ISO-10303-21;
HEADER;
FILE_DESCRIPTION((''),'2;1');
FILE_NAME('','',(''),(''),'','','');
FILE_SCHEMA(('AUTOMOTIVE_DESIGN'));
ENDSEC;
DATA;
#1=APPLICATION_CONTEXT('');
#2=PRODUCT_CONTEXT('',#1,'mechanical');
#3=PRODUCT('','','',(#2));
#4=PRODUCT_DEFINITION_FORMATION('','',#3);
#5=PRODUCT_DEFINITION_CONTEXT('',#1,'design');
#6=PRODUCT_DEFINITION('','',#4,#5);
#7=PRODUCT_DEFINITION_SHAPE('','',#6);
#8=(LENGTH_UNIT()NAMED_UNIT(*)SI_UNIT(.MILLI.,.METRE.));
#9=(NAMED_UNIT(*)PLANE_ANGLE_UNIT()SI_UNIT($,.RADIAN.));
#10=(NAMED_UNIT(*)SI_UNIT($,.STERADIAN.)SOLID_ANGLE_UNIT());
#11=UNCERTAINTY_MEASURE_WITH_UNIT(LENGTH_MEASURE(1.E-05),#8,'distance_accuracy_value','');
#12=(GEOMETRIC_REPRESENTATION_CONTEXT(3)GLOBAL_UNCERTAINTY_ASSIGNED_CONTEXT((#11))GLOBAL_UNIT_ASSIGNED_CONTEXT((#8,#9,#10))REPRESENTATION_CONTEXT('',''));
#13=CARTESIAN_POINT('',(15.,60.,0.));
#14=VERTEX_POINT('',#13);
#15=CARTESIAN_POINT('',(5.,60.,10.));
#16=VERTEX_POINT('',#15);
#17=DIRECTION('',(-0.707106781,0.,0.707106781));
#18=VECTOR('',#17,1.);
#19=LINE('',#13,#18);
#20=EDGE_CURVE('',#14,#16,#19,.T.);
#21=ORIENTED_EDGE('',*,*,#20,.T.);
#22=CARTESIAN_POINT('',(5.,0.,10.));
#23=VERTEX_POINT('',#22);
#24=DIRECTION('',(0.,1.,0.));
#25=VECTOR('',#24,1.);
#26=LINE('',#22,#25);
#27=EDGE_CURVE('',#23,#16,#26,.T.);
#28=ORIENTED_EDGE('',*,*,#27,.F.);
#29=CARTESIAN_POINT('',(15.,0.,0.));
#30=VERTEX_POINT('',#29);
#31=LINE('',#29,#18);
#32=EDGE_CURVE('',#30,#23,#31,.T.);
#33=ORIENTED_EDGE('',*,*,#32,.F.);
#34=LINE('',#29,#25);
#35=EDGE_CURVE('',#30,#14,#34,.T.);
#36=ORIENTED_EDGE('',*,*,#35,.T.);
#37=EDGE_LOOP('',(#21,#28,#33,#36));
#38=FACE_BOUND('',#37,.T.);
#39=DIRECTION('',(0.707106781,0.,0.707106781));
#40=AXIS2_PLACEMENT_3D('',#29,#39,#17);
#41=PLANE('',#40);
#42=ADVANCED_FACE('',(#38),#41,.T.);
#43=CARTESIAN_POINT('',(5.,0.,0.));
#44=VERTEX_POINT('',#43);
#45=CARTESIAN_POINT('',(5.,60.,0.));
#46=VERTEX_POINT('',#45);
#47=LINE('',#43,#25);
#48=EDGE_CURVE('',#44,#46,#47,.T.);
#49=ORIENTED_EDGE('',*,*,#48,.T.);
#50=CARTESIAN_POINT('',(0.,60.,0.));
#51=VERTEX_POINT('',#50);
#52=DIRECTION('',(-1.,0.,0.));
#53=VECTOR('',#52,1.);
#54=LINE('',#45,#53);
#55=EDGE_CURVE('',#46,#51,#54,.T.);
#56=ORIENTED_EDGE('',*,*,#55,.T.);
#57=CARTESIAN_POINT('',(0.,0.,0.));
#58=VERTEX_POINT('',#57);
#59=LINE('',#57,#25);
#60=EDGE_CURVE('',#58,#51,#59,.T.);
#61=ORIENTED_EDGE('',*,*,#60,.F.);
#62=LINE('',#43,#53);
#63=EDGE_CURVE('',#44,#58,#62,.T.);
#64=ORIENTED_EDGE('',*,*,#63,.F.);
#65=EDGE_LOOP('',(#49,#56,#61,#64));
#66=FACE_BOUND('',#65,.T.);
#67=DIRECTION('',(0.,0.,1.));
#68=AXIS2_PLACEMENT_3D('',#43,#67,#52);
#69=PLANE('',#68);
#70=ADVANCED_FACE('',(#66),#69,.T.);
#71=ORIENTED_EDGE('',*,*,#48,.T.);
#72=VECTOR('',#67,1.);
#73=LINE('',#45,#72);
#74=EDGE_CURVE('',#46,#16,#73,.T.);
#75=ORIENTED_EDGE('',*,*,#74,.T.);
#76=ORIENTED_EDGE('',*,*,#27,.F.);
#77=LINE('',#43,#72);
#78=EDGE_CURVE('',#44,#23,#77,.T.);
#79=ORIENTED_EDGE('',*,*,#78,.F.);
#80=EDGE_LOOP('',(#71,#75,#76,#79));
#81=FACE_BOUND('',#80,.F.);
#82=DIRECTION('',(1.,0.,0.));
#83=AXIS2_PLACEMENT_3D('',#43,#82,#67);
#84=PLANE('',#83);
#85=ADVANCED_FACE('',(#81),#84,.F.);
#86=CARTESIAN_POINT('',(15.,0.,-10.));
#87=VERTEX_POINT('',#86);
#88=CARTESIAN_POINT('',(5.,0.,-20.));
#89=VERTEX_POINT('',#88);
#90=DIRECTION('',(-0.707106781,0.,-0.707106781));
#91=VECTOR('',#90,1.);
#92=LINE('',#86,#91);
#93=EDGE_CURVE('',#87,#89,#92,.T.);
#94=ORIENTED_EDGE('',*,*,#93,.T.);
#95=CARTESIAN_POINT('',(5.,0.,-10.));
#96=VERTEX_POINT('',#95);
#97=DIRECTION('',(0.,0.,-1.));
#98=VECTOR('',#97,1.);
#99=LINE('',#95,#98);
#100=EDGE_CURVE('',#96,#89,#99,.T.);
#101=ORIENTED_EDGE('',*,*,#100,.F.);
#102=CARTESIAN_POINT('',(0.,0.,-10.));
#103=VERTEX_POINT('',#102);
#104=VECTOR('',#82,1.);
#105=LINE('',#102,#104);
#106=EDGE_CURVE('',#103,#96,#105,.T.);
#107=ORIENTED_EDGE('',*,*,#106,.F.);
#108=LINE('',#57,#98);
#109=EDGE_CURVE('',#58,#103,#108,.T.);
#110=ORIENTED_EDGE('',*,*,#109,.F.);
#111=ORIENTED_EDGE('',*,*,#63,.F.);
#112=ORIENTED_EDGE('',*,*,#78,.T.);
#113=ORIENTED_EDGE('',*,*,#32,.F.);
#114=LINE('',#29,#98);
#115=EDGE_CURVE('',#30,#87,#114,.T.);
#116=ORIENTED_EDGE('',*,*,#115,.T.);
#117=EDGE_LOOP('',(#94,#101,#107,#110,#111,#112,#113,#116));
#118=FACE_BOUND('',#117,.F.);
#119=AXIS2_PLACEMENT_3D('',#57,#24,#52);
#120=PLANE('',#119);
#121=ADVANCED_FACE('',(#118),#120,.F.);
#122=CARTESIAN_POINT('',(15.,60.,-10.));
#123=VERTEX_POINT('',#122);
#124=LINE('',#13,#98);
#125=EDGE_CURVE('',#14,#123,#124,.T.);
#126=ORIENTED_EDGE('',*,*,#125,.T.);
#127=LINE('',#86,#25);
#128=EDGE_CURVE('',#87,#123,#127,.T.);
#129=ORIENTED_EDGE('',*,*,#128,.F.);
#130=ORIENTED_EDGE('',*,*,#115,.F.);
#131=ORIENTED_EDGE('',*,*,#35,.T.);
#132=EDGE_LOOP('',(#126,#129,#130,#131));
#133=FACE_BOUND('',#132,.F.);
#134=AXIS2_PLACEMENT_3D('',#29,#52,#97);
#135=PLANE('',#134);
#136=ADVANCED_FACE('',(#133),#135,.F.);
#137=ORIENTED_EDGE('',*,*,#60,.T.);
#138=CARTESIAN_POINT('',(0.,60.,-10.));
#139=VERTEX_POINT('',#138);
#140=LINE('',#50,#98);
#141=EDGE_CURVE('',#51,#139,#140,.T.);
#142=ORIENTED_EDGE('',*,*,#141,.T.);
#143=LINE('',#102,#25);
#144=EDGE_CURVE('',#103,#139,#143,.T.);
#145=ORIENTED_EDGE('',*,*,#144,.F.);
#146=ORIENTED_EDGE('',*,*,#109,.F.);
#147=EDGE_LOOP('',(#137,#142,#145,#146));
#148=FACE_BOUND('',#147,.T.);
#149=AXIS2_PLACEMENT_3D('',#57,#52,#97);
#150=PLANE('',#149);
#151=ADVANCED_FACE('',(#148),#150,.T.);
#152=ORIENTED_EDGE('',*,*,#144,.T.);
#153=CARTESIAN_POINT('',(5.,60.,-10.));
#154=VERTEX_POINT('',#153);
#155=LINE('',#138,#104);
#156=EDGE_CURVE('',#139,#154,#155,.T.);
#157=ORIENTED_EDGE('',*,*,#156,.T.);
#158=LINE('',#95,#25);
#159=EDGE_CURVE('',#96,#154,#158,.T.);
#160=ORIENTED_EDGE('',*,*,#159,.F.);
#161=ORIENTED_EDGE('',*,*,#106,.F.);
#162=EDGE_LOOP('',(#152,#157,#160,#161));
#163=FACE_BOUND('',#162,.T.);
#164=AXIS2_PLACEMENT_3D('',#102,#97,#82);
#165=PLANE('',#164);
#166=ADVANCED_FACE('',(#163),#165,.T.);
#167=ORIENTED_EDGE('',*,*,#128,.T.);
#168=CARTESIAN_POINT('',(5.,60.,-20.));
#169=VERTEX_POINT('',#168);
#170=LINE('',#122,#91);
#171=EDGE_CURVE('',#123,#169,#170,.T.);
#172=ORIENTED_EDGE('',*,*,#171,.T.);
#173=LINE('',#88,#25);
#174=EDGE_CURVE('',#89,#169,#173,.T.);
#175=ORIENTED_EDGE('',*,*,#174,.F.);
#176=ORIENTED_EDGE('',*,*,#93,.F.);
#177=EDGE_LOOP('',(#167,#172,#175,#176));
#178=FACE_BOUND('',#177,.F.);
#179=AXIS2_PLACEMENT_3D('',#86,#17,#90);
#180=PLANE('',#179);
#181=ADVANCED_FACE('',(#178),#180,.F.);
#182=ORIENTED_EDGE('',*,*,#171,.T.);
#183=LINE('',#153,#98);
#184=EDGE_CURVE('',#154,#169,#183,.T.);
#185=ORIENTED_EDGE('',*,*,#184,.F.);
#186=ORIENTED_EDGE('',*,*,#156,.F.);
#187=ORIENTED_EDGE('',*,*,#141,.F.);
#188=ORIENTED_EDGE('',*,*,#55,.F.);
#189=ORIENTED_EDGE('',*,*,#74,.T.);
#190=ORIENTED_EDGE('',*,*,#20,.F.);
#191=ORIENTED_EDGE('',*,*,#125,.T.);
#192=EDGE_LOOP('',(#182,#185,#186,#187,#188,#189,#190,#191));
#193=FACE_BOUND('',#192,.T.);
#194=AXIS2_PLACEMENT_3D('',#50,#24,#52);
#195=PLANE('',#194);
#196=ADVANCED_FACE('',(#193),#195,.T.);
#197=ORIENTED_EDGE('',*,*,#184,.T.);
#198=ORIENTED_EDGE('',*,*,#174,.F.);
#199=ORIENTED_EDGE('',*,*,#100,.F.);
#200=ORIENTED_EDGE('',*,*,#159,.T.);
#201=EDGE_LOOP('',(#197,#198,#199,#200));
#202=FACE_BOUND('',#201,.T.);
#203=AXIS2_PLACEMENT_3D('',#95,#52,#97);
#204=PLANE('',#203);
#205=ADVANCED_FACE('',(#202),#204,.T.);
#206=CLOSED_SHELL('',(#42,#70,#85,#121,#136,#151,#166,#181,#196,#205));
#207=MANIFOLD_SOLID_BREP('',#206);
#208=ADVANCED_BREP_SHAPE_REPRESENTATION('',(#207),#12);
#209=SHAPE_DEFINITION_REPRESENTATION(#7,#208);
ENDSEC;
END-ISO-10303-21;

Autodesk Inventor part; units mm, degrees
ref_plane "YZ Plane" through (0, 0, 0) normal (1, 0, 0) x (0, 1, 0)
ref_plane "XZ Plane" through (0, 0, 0) normal (0, 1, 0) x (-1, 0, 0)
ref_plane "XY Plane" through (0, 0, 0) normal (0, 0, 1) x (1, 0, 0)
sketch "Эскиз1" plane through (0, 0, 0) normal (0, 1, 0) x (-1, 0, 0)
  line L0 (0, 0) -> (0, -10)
  line L1 (0, -10) -> (-5, -10)
  line L2 (-5, -10) -> (-5, -20)
  line L3 (-5, -20) -> (-5, 0)
  line L4 (-5, 0) -> (0, 0)
  line L5 (-5, 0) -> (-5, 10)
  line L6 (-5, 0) -> (-15, 0)
  line L7 (-15, 0) -> (-5, 10)
  line L8 (-15, 0) -> (-15, -10)
  line L9 (-15, -10) -> (-5, -20)
  dimension "d2" = 10
  dimension "d3" = 5
  dimension "d4" = 10
  dimension "d5" = 10
  dimension "d6" = 10
extrude "Выдавливание1" add sketch "Эскиз1" along normal blind 60
properties part number "Dyenhtyytt cjtlbytybt"
